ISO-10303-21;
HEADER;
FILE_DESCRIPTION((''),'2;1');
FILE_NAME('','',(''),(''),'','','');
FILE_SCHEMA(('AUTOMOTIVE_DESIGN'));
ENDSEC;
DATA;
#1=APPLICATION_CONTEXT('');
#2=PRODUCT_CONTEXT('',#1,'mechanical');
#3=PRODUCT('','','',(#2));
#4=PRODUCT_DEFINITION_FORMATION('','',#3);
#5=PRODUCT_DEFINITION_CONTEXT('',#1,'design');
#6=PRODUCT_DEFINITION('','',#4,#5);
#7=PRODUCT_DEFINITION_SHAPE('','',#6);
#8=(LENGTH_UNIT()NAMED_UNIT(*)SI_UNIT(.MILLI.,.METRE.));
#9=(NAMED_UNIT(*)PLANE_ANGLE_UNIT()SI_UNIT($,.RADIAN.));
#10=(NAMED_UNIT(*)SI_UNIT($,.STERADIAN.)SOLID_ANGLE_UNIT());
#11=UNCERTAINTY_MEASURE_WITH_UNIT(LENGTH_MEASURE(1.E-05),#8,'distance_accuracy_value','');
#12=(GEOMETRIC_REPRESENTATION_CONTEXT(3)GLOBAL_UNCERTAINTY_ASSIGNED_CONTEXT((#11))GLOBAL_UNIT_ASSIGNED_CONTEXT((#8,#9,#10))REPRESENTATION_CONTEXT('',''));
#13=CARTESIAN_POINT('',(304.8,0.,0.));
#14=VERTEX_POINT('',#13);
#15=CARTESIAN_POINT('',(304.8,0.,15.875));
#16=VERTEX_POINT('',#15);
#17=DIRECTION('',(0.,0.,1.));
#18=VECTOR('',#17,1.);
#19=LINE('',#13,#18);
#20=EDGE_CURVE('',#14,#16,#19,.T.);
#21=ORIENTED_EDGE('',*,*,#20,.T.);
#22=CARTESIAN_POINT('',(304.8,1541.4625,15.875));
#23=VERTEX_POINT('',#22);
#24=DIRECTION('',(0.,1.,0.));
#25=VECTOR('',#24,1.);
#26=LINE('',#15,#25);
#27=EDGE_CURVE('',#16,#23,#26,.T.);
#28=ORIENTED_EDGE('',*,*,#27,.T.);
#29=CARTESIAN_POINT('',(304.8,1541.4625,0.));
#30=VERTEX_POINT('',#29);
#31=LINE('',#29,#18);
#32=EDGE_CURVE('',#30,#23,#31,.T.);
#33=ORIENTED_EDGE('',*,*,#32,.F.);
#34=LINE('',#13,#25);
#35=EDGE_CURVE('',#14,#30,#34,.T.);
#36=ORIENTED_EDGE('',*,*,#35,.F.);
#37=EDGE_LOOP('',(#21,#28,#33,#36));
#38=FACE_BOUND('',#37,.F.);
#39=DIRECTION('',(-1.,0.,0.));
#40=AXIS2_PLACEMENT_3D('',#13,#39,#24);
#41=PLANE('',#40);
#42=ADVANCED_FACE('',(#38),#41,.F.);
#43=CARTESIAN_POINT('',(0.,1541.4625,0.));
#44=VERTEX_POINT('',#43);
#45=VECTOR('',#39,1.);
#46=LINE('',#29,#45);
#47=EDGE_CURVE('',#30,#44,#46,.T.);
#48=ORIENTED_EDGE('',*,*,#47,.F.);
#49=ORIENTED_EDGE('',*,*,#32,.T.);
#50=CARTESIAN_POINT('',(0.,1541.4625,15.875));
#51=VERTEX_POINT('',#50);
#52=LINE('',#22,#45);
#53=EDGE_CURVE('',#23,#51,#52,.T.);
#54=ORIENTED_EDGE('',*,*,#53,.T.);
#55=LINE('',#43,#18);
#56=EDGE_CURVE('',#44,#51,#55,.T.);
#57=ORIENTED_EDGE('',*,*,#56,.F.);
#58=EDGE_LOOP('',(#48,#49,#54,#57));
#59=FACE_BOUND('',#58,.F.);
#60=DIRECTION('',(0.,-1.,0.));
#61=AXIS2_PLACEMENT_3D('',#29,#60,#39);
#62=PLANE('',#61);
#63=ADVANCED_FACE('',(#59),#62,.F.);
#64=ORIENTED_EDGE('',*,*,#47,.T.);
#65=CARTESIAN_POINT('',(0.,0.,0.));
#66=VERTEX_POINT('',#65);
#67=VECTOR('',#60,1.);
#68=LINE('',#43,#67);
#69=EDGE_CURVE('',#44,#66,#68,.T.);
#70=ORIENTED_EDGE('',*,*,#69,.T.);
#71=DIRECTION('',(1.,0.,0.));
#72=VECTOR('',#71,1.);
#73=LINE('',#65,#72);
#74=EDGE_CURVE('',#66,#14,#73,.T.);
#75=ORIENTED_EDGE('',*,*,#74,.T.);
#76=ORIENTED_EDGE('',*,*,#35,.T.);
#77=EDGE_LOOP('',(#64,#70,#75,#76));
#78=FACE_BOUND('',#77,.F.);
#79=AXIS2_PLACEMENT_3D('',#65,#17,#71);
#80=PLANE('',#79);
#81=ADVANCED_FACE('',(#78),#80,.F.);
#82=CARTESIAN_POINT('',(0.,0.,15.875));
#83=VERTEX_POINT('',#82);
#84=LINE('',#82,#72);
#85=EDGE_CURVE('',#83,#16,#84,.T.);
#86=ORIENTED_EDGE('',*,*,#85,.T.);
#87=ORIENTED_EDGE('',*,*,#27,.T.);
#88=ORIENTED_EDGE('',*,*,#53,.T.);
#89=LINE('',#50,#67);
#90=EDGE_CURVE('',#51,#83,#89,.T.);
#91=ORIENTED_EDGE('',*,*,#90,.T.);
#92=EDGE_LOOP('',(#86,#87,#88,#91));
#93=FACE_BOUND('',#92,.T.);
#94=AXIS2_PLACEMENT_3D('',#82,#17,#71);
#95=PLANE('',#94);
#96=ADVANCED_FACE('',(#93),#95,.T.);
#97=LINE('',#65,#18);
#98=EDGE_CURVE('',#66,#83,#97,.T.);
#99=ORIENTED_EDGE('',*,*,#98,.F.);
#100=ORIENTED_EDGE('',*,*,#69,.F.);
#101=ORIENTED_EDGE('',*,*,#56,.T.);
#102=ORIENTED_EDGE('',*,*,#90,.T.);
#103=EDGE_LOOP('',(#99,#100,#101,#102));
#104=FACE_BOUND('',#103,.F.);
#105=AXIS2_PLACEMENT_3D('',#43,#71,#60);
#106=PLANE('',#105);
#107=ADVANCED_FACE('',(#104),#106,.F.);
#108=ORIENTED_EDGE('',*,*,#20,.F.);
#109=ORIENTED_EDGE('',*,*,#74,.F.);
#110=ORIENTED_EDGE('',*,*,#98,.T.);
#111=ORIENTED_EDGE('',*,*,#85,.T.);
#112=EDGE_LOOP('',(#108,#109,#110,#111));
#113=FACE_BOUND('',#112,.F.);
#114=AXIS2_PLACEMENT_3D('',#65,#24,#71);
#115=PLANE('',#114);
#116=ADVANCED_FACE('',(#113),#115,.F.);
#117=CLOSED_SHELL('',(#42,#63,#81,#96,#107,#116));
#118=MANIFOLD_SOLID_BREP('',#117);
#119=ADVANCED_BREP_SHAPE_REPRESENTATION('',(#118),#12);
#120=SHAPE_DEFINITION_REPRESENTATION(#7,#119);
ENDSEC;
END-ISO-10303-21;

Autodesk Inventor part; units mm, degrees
ref_plane "YZ Plane" through (0, 0, 0) normal (1, 0, 0) x (0, 1, 0)
ref_plane "XZ Plane" through (0, 0, 0) normal (0, 1, 0) x (-1, 0, 0)
ref_plane "XY Plane" through (0, 0, 0) normal (0, 0, 1) x (1, 0, 0)
sketch "Sketch1" plane through (0, 0, 0) normal (0, 0, 1) x (1, 0, 0)
  line L0 (0, 0) -> (304.8, 0)
  line L1 (304.8, 0) -> (304.8, 1541.4625)
  line L2 (304.8, 1541.4625) -> (0, 1541.4625)
  line L3 (0, 1541.4625) -> (0, 0)
  dimension "d2" = 1541.4625
  dimension "d3" = 304.8
extrude "Extrusion1" add sketch "Sketch1" along normal blind 15.875
properties part number "DensGlass_With_Dimensions_60.75_x_12_Inches" material "Wood (Birch)"
